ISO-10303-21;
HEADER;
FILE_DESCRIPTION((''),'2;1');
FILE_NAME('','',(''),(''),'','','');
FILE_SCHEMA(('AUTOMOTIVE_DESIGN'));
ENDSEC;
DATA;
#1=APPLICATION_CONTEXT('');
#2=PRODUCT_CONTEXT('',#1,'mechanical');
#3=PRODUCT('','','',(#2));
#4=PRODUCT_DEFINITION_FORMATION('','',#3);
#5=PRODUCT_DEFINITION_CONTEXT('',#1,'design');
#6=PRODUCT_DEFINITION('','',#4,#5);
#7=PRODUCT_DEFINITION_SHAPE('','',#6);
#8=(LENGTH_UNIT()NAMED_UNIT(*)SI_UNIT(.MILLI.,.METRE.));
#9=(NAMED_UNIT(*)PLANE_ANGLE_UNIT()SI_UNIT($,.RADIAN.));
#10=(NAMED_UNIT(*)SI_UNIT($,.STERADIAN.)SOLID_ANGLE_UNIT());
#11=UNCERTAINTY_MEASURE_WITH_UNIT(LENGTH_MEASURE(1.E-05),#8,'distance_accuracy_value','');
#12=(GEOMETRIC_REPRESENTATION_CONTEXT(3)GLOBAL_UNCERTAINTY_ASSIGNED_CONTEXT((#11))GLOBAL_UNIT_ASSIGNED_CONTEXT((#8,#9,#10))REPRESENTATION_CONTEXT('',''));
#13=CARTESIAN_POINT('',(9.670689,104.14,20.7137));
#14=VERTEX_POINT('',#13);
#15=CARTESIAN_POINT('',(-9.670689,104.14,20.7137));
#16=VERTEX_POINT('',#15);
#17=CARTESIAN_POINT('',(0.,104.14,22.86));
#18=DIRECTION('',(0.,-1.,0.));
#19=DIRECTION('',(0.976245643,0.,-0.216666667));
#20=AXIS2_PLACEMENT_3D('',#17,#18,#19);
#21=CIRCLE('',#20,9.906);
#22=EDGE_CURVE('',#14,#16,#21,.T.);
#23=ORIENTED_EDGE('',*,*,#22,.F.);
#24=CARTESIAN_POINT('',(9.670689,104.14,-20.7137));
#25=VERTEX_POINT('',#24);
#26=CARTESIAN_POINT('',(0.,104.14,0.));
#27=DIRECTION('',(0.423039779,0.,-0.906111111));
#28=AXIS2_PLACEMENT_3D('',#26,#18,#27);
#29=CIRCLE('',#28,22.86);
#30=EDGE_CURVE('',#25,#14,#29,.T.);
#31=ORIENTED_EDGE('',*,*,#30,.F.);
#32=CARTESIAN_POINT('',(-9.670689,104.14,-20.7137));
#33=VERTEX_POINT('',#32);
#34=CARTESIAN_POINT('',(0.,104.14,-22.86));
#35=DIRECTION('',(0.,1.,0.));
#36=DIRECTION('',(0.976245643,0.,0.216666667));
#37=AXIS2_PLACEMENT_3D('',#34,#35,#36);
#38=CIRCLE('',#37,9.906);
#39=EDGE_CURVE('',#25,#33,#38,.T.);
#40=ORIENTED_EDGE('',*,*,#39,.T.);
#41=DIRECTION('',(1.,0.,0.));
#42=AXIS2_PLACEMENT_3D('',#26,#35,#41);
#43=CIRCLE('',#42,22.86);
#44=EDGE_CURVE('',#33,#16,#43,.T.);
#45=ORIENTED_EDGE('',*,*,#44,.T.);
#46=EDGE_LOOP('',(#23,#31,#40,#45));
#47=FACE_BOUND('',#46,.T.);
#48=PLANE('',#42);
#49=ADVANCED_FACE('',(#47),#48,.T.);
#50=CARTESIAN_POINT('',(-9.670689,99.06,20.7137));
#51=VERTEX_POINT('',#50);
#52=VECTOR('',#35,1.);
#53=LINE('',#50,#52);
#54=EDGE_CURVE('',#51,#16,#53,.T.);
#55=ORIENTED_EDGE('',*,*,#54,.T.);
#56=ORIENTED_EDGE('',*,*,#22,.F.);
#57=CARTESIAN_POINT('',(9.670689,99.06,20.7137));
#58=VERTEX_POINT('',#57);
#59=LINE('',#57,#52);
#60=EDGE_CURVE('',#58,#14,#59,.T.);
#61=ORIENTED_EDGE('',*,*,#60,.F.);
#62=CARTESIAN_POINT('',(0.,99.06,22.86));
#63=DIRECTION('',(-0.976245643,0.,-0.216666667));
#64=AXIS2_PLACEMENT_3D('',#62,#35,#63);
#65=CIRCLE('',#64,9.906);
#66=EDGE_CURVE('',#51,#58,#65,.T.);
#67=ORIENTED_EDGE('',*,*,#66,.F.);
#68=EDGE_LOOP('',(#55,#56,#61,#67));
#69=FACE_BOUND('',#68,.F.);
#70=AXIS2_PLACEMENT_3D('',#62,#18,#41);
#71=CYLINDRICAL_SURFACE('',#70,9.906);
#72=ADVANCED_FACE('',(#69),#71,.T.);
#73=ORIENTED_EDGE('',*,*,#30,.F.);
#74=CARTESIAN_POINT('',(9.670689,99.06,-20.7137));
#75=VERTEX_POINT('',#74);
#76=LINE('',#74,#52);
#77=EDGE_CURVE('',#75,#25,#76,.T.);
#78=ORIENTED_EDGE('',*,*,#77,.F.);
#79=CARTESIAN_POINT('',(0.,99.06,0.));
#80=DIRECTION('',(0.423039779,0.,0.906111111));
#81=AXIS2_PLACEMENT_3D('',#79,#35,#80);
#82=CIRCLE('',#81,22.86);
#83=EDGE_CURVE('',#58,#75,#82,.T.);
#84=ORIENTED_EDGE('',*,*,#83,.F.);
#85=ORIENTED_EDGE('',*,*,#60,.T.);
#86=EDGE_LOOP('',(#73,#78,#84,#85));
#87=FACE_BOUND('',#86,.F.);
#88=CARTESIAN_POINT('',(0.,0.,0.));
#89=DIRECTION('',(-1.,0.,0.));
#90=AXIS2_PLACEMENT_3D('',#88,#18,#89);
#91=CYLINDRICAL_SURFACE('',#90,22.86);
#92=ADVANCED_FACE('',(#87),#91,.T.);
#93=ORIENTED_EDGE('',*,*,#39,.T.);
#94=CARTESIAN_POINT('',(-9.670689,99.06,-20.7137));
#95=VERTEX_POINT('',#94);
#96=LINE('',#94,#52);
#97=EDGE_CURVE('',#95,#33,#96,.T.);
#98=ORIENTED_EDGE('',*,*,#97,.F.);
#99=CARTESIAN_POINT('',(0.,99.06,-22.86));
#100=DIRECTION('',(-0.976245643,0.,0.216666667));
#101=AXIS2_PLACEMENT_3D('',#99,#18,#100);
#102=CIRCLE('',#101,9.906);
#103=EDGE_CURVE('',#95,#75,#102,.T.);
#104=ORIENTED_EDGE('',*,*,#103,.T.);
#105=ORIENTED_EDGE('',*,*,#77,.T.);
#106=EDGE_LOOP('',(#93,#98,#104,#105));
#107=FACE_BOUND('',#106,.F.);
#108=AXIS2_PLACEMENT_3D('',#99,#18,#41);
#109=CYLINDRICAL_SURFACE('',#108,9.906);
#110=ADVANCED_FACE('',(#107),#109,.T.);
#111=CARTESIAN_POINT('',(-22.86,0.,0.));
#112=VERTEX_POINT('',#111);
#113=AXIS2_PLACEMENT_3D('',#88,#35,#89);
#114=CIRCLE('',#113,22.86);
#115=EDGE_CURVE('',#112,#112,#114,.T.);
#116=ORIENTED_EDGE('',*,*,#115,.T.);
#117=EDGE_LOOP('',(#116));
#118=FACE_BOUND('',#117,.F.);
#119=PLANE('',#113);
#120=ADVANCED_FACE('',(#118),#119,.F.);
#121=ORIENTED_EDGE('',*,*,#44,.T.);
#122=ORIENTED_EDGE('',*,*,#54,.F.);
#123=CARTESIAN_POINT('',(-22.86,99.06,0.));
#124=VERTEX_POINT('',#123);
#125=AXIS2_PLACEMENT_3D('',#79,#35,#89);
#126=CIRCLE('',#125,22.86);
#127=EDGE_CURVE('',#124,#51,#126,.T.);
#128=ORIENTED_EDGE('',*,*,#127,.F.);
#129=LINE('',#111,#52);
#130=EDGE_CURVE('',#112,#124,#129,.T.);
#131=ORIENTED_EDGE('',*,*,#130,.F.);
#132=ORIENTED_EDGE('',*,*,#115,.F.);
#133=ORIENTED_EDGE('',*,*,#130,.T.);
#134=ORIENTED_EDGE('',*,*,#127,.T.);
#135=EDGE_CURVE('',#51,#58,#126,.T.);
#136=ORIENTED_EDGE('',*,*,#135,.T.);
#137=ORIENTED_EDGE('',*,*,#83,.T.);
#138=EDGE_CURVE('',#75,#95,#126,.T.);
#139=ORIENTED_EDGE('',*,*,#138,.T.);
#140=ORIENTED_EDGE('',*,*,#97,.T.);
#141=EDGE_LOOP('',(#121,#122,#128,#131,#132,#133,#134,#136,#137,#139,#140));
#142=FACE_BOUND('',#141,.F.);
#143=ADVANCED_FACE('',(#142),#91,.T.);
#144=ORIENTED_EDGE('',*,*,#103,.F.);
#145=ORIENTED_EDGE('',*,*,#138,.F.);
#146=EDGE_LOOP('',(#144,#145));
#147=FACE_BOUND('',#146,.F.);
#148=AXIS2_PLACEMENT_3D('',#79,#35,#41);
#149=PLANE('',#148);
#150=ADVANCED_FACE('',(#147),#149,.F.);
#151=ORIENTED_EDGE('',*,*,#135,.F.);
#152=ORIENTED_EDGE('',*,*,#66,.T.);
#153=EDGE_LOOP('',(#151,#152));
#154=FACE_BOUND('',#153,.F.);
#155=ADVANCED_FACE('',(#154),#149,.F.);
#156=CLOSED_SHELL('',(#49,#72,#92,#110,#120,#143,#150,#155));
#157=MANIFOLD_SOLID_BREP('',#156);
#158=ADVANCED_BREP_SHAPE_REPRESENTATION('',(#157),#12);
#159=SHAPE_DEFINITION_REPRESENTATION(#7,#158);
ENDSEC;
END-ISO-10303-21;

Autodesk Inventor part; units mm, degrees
ref_plane "XZ Plane" through (0, 0, 0) normal (0, 1, 0) x (-1, 0, 0)
ref_plane "XY Plane" through (0, 0, 0) normal (0, 0, 1) x (1, 0, 0)
sketch "Sketch1" plane through (0, 0, 0) normal (0, 1, 0) x (-1, 0, 0)
  circle A0 centre (0, 0) radius 22.86
  dimension "d0" = 45.72
extrude "Extrusion1" add sketch "Sketch1" along normal blind 99.06
sketch "Sketch2" plane through (0, 99.06, 0) normal (0, 1, 0) x (1, 0, 0)
  circle A0 centre (0, 0) radius 22.86 projected
  circle A1 centre (0, -22.86) radius 9.906
  circle A2 centre (0, 22.86) radius 9.906
  dimension "d3" = 19.812
  dimension "d4" = 19.812
extrude "Extrusion2" add sketch "Sketch2" along normal blind 5.08
ref_plane "Work Plane1" through (22.86, 0, 0) normal (1, 0, 0) x (0, 1, 0)
properties part number "reducedLargeSyrginePlunger"
